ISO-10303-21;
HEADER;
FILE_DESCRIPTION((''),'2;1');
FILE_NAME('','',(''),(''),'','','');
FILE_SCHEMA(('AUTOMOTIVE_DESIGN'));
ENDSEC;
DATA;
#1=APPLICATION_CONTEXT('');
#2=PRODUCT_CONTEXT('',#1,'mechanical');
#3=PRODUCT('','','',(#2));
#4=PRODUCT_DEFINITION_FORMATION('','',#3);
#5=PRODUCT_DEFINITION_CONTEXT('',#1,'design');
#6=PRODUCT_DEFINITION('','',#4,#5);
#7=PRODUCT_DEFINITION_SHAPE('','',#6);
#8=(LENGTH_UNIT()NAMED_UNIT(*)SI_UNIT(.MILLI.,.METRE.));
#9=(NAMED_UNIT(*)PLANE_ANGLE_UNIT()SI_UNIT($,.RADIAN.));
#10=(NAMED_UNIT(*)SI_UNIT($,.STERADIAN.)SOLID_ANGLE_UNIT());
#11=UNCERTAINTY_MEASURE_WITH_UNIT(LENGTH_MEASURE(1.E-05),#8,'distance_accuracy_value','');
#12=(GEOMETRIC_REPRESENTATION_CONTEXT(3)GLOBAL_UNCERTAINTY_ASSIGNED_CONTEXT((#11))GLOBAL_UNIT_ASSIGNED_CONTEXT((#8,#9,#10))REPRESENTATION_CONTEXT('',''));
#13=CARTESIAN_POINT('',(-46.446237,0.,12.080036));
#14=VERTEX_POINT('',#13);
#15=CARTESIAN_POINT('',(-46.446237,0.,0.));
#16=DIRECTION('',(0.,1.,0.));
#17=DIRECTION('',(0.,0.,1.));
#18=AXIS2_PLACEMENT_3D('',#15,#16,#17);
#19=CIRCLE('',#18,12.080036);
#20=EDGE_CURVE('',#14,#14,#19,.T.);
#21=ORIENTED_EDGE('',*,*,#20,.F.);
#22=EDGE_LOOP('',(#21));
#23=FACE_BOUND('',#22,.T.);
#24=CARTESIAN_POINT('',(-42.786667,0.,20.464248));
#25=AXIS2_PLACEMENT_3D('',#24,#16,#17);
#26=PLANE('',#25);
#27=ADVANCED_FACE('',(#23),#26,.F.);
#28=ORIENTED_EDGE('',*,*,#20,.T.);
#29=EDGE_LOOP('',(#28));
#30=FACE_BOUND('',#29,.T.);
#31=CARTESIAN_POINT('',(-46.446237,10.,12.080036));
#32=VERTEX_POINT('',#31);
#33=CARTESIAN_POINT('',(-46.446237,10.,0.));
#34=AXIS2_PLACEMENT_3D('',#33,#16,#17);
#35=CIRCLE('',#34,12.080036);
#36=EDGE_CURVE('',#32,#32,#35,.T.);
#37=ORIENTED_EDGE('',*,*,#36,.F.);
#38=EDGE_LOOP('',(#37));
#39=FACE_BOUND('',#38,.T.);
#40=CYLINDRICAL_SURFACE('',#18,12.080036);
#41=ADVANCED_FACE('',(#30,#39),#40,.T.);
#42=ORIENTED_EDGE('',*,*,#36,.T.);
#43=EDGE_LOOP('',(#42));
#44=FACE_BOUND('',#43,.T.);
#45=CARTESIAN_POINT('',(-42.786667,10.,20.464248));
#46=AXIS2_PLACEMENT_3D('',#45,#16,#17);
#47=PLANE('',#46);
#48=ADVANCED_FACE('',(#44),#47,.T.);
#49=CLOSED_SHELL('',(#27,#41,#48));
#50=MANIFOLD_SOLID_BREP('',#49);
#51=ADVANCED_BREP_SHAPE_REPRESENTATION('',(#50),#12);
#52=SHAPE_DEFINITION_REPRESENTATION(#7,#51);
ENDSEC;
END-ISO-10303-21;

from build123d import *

# Parameters (mm, degrees)
BOSS_EXTRUDE1_DEPTH = 10
SKETCH4_W           = 152.759028905
SKETCH4_H           = 70.023532291
SKETCH4_R           = 12.08003571
CUT_EXTRUDE1_DEPTH  = 11.0000001


with BuildPart() as part:
    # Sketch2 → Boss-Extrude1 (new body)
    with BuildSketch(Plane(origin=(0, 0, 0), x_dir=(1, 0, 0), z_dir=(0, 1, 0))):
        with BuildLine():
            add(Edge.make_bspline(
                [(-109.1, -5.1), (-109.424609826, 10.441471911), (-73.787625733, 25.22270358), (-43.020276746, 23.937309848), (-34.219540496, 17.85083091), (-19.745412821, 17.556799812), (-9.831464388, 20.08956268), (7.173597662, 19.935183257), (19.6, 14.289300505), (19.6, 0)],
                knots=[0, 0, 0, 0, 0.230584101, 0.286176341, 0.525950611, 0.574149071, 0.719962477, 0.764370237, 1, 1, 1, 1], degree=3))
            add(Edge.make_bspline(
                [(19.6, 0), (19.6, -12.798208112), (9.628339195, -19.558649887), (-8.537408911, -19.135204318), (-19.796385689, -17.357223298), (-41.21861702, -17.372886462), (-58.113965099, -28.979482333), (-85.155395015, -28.327654779), (-109.1, -26.64326042), (-109.1, -5.1)],
                knots=[0, 0, 0, 0, 0.174620331, 0.213184502, 0.3664798, 0.418282358, 0.679407529, 0.740843358, 1, 1, 1, 1], degree=3))
        make_face()
    extrude(amount=BOSS_EXTRUDE1_DEPTH)

    # Sketch4 → Cut-Extrude1 (cut, through all)
    with BuildSketch(Plane(origin=(0, 10, 0), x_dir=(1, 0, 0), z_dir=(0, 1, 0))):
        with Locations((-43.537567524, 1.623567221)):
            Rectangle(SKETCH4_W, SKETCH4_H)
        with Locations((-46.446237326, 0)):
            Circle(SKETCH4_R, mode=Mode.SUBTRACT)
    extrude(amount=-CUT_EXTRUDE1_DEPTH, mode=Mode.SUBTRACT)


solid = part.part
